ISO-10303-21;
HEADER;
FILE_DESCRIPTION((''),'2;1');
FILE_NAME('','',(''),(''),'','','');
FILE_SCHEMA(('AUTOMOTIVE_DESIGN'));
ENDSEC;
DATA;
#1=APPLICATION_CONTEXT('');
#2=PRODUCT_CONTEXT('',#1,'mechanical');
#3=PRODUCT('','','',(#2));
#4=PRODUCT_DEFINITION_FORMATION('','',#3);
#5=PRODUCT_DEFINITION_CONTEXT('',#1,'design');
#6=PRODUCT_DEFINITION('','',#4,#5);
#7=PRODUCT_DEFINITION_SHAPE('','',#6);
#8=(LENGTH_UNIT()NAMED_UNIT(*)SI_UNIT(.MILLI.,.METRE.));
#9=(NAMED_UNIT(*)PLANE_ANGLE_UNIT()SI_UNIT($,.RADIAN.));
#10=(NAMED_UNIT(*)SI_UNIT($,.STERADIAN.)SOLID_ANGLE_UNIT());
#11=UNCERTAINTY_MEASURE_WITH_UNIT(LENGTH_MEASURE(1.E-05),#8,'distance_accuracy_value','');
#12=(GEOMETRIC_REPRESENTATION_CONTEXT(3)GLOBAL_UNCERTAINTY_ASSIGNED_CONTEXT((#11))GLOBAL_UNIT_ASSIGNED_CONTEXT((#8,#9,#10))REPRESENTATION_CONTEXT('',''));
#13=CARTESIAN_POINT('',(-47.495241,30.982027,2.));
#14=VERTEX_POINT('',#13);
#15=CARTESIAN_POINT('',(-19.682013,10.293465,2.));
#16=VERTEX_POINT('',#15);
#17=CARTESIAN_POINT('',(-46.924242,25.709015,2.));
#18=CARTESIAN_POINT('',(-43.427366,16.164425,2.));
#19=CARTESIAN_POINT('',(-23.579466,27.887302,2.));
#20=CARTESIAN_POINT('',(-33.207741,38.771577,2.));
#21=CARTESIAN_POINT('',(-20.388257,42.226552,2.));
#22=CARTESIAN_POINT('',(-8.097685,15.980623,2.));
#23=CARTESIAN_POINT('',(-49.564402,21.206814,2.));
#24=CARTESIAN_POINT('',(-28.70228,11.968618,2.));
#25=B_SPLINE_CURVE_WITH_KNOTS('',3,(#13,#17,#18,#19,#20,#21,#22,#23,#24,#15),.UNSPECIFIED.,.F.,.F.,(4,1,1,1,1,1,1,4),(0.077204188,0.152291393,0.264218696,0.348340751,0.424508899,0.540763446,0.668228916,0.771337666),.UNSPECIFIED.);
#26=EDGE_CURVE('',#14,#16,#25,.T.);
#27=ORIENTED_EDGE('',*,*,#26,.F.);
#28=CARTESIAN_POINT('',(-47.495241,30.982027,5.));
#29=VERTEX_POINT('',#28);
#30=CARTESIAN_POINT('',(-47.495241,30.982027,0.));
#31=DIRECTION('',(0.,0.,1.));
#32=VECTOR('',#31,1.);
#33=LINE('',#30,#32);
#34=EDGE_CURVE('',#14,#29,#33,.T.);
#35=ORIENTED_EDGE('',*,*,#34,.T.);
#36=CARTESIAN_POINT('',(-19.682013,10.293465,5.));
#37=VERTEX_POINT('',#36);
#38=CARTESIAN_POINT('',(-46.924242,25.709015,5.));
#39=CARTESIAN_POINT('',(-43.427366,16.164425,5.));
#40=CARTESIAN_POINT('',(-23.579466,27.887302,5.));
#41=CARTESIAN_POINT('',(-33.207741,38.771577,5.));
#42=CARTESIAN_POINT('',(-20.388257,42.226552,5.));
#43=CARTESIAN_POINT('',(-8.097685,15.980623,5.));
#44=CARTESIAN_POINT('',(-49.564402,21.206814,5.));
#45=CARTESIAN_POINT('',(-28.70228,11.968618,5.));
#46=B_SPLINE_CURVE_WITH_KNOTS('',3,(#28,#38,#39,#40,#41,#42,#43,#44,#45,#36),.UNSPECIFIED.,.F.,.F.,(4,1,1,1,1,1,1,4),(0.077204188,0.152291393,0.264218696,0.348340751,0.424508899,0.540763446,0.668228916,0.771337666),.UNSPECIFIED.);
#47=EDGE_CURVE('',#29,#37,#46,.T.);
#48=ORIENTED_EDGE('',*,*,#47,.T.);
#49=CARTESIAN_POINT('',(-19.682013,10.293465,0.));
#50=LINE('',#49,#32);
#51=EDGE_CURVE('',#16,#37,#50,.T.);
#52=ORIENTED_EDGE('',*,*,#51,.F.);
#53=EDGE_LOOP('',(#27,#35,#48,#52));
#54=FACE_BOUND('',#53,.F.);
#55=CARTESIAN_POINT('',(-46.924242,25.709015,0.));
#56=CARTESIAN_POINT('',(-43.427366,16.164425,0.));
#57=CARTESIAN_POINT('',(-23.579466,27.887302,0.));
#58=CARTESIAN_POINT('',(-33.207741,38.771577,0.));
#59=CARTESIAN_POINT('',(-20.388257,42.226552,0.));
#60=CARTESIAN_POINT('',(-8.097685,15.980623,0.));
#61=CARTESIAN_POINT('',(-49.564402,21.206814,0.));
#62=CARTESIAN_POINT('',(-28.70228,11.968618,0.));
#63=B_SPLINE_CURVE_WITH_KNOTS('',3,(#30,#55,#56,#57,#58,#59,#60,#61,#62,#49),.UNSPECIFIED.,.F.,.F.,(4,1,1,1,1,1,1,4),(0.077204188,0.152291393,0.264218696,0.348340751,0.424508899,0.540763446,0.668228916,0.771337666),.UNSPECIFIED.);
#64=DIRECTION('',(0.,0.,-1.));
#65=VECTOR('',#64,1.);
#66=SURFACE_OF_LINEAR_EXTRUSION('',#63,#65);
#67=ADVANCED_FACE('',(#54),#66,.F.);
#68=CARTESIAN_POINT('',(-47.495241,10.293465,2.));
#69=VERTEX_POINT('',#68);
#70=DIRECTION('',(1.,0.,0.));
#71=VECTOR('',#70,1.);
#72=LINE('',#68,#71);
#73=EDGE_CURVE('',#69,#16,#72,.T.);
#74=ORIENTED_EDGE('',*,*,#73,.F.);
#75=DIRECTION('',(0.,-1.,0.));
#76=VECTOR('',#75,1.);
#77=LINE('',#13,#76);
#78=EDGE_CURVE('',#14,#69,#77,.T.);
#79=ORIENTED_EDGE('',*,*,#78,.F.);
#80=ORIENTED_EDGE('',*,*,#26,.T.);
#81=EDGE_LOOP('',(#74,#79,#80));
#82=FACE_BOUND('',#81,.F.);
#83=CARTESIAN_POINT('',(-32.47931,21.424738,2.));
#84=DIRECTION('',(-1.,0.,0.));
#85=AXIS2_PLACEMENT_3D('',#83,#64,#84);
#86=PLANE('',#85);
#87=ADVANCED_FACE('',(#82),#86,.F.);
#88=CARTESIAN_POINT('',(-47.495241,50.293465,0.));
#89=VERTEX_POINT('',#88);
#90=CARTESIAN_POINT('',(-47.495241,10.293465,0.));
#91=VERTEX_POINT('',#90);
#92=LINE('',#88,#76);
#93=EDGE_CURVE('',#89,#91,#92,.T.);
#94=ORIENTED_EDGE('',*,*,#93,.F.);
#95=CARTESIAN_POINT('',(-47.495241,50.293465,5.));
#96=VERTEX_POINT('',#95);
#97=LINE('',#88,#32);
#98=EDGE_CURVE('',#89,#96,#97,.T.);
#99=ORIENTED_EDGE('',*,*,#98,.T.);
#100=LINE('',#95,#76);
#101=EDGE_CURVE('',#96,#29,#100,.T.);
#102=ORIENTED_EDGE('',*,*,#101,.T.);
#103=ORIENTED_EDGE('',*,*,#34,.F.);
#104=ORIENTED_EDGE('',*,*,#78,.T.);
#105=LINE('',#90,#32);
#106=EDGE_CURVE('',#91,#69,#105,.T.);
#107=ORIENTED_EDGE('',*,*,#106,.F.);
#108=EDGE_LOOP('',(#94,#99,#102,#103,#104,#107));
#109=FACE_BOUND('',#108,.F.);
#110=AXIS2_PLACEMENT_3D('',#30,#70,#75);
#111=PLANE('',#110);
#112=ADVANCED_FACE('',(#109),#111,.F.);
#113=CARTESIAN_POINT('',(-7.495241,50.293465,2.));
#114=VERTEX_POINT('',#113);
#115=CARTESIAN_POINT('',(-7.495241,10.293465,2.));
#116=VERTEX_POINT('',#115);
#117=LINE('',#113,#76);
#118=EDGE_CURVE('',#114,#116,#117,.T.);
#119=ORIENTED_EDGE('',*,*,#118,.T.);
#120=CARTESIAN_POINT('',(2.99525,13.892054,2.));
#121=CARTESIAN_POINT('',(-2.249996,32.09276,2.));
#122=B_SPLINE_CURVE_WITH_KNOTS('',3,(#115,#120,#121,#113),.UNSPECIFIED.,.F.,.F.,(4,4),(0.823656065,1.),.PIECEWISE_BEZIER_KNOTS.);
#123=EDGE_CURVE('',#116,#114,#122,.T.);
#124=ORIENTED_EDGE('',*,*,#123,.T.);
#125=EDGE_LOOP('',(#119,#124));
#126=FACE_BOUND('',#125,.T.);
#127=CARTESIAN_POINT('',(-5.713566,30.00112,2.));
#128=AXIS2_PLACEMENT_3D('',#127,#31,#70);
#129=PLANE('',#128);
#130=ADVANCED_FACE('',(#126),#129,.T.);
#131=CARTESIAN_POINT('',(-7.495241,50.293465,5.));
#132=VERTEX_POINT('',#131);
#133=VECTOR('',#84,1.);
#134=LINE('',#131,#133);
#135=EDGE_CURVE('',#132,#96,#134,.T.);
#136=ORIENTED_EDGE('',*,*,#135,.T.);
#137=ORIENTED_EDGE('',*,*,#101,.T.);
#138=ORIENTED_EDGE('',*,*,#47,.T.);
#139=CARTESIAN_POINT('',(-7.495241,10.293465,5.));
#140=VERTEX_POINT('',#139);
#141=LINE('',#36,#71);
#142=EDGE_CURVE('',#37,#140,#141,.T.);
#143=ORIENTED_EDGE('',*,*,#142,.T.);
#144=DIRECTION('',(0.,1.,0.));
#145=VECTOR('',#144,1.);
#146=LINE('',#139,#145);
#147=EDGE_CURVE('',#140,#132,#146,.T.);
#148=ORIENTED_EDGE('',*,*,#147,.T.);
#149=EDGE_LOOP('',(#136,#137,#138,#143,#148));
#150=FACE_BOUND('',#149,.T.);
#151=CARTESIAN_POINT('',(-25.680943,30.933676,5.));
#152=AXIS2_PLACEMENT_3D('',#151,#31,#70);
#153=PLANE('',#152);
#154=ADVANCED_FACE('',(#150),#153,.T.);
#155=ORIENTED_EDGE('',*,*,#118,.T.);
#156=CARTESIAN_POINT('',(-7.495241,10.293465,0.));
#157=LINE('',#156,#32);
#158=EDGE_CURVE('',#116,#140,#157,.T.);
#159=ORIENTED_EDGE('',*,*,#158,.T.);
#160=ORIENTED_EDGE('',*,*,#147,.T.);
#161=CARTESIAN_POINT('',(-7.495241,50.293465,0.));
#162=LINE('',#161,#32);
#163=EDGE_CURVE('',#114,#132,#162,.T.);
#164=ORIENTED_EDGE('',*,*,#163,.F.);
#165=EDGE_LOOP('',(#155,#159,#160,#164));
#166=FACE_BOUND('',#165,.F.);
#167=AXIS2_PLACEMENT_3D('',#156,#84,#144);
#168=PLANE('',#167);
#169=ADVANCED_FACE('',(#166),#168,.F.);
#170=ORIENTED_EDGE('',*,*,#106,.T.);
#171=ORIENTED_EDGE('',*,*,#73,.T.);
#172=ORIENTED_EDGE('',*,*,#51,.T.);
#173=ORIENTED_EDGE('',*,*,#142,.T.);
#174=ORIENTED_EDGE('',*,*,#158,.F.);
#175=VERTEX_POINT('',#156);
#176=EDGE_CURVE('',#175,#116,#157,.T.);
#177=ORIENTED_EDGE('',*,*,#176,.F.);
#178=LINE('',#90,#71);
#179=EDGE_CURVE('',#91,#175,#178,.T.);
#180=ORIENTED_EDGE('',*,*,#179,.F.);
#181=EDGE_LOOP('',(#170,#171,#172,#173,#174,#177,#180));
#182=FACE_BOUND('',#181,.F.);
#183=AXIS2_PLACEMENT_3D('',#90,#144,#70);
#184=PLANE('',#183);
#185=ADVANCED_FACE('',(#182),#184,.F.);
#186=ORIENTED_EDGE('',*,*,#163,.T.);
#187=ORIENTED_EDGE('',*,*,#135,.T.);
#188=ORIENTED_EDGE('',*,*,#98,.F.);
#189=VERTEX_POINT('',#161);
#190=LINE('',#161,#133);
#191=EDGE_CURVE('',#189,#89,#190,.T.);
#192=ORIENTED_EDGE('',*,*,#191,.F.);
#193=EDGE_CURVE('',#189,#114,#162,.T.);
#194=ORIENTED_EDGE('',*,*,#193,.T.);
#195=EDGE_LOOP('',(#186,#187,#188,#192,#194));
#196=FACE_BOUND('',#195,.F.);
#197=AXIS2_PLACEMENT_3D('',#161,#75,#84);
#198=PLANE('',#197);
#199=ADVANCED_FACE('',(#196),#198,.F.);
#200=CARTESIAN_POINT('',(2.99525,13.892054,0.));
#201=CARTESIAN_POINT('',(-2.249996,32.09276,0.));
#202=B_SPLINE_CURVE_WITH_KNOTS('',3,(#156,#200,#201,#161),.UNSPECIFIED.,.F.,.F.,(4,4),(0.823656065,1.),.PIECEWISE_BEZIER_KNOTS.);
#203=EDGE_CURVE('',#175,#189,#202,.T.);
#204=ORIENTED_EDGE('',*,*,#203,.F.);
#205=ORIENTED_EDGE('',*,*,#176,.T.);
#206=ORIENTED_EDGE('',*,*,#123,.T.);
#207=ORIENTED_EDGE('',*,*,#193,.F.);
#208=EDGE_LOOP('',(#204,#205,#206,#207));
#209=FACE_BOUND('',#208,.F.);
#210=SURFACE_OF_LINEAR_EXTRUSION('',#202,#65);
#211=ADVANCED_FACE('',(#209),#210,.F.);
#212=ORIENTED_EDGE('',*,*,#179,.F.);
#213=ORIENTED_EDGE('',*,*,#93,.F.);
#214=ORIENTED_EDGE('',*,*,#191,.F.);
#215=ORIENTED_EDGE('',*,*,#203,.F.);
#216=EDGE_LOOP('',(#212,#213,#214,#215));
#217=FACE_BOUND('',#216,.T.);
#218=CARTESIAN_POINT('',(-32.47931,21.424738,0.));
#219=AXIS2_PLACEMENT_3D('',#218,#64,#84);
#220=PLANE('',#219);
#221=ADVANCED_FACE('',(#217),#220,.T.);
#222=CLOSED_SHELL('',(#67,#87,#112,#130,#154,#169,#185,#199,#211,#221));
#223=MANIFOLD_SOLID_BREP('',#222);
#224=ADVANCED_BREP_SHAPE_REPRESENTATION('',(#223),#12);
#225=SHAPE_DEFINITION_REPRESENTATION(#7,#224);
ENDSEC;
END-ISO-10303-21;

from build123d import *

# Parameters (mm, degrees)
F1_DEPTH = 5
F2_DEPTH = 2


with BuildPart() as f1:
    # F0 (on Top) → F1 (new body)
    with BuildSketch(Plane.XY):
        with BuildLine():
            Line((-7.4952412397, 50.2934651077), (-47.4952412397, 50.2934651077))
            Line((-47.4952412397, 50.2934651077), (-47.4952412397, 30.9820267132))
            add(Edge.make_bspline(
                [(-47.4952412397, 30.9820267132), (-46.9242420585, 25.7090148303), (-43.4273658156, 16.1644249695), (-23.579466068, 27.8873015825), (-33.2077410047, 38.771577173), (-20.3882568249, 42.2265522164), (-8.0976846172, 15.9806232842), (-49.5644023744, 21.206814307), (-28.7022800722, 11.9686181976), (-19.6820129927, 10.2934651077)],
                knots=[0.077204188, 0.077204188, 0.077204188, 0.077204188, 0.1522913927, 0.2642186958, 0.3483407508, 0.4245088992, 0.5407634463, 0.6682289164, 0.7713376663, 0.7713376663, 0.7713376663, 0.7713376663], degree=3))
            Line((-19.6820129927, 10.2934651077), (-7.4952412397, 10.2934651077))
            Line((-7.4952412397, 10.2934651077), (-7.4952412397, 50.2934651077))
        make_face()
    extrude(amount=F1_DEPTH)

    # F0 (on Top) → F2 (join)
    with BuildSketch(Plane.XY):
        with BuildLine():
            add(Edge.make_bspline(
                [(-47.4952412397, 30.9820267132), (-46.9242420585, 25.7090148303), (-43.4273658156, 16.1644249695), (-23.579466068, 27.8873015825), (-33.2077410047, 38.771577173), (-20.3882568249, 42.2265522164), (-8.0976846172, 15.9806232842), (-49.5644023744, 21.206814307), (-28.7022800722, 11.9686181976), (-19.6820129927, 10.2934651077)],
                knots=[0.077204188, 0.077204188, 0.077204188, 0.077204188, 0.1522913927, 0.2642186958, 0.3483407508, 0.4245088992, 0.5407634463, 0.6682289164, 0.7713376663, 0.7713376663, 0.7713376663, 0.7713376663], degree=3))
            Line((-47.4952412397, 30.9820267132), (-47.4952412397, 10.2934651077))
            Line((-47.4952412397, 10.2934651077), (-19.6820129927, 10.2934651077))
        make_face()
        with BuildLine():
            add(Edge.make_bspline(
                [(-7.4952412397, 10.2934651077), (2.9952501068, 13.8920543068), (-2.2499955664, 32.0927597073), (-7.4952412397, 50.2934651077)],
                knots=[0.8236560651, 0.8236560651, 0.8236560651, 0.8236560651, 1, 1, 1, 1], degree=3))
            Line((-7.4952412397, 50.2934651077), (-7.4952412397, 10.2934651077))
        make_face()
    extrude(amount=F2_DEPTH)


solid = f1.part
